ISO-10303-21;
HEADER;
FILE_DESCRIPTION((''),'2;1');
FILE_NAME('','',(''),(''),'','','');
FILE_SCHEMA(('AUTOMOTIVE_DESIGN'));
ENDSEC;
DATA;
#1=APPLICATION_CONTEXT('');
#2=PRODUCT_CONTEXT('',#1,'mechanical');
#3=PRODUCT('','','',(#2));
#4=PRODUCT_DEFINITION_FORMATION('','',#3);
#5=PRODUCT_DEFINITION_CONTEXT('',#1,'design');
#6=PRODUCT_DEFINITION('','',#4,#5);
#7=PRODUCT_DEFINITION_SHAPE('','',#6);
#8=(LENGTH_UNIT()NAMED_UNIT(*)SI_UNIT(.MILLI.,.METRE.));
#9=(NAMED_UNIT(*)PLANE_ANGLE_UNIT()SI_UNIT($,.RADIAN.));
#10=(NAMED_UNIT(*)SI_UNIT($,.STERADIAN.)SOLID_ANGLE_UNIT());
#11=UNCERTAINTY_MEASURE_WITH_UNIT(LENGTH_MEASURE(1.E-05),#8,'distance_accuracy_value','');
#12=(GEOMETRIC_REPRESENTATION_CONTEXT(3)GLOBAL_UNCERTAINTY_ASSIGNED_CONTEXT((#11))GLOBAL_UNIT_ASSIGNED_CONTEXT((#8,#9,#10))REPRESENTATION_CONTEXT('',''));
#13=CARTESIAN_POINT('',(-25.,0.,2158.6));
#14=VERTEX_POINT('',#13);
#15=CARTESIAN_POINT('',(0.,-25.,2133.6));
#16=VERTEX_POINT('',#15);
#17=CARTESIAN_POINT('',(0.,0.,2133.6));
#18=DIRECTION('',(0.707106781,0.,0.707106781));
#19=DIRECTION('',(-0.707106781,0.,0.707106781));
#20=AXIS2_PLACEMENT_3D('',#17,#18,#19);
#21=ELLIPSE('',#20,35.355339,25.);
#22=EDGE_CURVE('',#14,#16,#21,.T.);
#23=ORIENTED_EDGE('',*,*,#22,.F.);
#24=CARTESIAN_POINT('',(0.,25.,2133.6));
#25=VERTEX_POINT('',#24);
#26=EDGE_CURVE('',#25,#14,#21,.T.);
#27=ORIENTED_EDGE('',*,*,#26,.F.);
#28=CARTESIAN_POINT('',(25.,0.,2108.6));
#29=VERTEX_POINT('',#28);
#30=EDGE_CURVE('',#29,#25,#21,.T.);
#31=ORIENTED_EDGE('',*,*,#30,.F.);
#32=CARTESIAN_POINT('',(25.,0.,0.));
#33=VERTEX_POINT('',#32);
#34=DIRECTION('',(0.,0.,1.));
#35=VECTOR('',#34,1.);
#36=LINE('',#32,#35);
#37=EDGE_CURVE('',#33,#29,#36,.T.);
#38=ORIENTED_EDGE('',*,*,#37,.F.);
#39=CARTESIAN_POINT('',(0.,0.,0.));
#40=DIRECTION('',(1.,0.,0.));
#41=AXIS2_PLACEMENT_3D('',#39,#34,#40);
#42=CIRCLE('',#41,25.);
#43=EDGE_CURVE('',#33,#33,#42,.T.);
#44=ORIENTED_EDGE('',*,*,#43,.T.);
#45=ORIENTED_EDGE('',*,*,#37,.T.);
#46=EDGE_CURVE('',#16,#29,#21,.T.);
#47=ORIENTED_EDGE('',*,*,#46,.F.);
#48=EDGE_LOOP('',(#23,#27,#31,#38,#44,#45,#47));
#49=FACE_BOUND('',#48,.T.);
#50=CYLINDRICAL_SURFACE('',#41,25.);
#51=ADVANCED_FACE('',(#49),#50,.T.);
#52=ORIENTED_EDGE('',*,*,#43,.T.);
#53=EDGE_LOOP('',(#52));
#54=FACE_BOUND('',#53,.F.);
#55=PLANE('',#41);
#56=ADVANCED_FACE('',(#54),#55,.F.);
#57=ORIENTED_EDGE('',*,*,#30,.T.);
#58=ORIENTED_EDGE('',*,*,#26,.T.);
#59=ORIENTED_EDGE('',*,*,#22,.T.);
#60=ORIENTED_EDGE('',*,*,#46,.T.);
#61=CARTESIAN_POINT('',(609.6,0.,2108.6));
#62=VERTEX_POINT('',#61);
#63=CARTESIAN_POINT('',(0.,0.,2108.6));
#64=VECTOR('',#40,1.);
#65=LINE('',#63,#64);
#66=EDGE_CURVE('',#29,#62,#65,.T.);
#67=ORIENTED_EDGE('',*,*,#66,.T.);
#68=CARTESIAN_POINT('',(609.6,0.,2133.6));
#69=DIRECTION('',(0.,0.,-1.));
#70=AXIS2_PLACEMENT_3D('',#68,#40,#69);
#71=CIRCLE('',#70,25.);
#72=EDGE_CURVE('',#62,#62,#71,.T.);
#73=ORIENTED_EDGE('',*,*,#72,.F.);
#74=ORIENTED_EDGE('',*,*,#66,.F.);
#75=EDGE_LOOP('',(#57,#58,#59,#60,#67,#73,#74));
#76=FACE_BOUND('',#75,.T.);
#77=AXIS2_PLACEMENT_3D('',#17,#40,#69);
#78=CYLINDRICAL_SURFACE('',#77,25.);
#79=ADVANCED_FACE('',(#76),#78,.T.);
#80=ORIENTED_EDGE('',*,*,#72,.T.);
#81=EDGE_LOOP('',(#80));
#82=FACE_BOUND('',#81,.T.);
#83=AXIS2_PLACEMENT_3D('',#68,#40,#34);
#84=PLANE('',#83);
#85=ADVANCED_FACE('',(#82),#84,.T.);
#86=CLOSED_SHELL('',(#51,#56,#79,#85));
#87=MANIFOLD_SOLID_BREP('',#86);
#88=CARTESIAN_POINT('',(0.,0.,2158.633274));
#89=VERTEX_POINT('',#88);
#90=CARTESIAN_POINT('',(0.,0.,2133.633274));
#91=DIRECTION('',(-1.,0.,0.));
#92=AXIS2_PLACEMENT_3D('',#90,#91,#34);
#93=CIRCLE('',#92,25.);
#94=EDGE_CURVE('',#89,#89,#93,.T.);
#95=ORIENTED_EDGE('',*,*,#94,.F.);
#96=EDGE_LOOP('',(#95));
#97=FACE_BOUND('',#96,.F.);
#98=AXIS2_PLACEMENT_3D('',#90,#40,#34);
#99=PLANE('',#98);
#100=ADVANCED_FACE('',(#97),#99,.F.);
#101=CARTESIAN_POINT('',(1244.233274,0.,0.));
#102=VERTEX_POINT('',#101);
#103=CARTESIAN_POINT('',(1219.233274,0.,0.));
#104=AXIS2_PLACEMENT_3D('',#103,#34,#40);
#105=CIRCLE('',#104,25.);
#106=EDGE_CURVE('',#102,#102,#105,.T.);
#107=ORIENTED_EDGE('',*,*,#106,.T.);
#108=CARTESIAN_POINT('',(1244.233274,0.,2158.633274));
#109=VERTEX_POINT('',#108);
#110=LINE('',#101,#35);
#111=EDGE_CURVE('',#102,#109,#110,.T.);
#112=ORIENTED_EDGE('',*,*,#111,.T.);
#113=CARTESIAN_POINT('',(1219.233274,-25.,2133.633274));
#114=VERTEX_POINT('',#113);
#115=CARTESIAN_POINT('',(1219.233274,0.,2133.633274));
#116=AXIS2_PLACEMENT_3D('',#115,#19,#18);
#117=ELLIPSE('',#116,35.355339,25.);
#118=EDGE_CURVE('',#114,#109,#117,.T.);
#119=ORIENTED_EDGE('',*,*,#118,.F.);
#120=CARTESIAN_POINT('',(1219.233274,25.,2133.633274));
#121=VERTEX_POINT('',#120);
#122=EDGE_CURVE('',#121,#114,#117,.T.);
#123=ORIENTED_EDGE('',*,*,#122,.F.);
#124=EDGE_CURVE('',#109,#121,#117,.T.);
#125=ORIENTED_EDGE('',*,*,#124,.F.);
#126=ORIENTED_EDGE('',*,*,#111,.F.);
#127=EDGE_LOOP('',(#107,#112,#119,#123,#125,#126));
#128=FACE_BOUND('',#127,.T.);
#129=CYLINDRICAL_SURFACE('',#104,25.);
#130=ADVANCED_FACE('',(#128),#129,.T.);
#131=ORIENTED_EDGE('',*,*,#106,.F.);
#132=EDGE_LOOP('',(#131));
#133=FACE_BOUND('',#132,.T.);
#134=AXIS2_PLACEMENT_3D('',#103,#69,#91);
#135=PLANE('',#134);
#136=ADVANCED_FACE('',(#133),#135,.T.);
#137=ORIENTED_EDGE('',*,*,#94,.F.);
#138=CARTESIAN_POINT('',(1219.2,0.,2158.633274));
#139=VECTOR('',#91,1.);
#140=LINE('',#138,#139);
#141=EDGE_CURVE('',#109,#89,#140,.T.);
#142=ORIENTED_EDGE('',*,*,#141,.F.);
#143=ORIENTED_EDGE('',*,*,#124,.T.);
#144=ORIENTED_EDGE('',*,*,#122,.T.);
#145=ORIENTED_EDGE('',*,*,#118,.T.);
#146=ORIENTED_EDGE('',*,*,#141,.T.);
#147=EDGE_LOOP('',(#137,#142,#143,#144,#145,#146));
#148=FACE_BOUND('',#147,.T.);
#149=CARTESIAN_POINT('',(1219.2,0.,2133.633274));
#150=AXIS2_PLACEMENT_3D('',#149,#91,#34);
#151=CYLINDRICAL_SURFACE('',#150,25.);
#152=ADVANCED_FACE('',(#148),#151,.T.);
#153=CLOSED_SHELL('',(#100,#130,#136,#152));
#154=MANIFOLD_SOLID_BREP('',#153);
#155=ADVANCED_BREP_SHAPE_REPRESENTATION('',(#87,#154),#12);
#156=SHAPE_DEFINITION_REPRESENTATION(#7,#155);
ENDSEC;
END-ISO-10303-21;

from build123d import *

# Parameters (mm, degrees)
F0_R = 25
F4_R = 25


with BuildPart() as f2:
    # F2: sweep along a path in F1
    with BuildLine(Plane.XZ) as f2_path:
        Line((0, 0), (0, 2133.6))
        Line((0, 2133.6), (609.6, 2133.6))
    # F0 (on Top) → F2 (sweep)
    with BuildSketch(Plane.XY):
        Circle(F0_R)
    sweep(path=f2_path.line, transition=Transition.RIGHT)


with BuildPart() as f5:
    # F5: sweep along a path in F1
    with BuildLine(Plane.XZ) as f5_path:
        Line((1219.2, 0), (1219.2, 2133.6))
        Line((1219.2, 2133.6), (0, 2133.6))
    # F4 (on line) → F5 (sweep)
    with BuildSketch(Plane(origin=(0, 0, 0), x_dir=(1, 0, 0), z_dir=(0, 0, -1))):
        with Locations((1219.2332744598, 0)):
            Circle(F4_R)
    sweep(path=f5_path.line, transition=Transition.RIGHT)


solid = Compound([f2.part, f5.part])
